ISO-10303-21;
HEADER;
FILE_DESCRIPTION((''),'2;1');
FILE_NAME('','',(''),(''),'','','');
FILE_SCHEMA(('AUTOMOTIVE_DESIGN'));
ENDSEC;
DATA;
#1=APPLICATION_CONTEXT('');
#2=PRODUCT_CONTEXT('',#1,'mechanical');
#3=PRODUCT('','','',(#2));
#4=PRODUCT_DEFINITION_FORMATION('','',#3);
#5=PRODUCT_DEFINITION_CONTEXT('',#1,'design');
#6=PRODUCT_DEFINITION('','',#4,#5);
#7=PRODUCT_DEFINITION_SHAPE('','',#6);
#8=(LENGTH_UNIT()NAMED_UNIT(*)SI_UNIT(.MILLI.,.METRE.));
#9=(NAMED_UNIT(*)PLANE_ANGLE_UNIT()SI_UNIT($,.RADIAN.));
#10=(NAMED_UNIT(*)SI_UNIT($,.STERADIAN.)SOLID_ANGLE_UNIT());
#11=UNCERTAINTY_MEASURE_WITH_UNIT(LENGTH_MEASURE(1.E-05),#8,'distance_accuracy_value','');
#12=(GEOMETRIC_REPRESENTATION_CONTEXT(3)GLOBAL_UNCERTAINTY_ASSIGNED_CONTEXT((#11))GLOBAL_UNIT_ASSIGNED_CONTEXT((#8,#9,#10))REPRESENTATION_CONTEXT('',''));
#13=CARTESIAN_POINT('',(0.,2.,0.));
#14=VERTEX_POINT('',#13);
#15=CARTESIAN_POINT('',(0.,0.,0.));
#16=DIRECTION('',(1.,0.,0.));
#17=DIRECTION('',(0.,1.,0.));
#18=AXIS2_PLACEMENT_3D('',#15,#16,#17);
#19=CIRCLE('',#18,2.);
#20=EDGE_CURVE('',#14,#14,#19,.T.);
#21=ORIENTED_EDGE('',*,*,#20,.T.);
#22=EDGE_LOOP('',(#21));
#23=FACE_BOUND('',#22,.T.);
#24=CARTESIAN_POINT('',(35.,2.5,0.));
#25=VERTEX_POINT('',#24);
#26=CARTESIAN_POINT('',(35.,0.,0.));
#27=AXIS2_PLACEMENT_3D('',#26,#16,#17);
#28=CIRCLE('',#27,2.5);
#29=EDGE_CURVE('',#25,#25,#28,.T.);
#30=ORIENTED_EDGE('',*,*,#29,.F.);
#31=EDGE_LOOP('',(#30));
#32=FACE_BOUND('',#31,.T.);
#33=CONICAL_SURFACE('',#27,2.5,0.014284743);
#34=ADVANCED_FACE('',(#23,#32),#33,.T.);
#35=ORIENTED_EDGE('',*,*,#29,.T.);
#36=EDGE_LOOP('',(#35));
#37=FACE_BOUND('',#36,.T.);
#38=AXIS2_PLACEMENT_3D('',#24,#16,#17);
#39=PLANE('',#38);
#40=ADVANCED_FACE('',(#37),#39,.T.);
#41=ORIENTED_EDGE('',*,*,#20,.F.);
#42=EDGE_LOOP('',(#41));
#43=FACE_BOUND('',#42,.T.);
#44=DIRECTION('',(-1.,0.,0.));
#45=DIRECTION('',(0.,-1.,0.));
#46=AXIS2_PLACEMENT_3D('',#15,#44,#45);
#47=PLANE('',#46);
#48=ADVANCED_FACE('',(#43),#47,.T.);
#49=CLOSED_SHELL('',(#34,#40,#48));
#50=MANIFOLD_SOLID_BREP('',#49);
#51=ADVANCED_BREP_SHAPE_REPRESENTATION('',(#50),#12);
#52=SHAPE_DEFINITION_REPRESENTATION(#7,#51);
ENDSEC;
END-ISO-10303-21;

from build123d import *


with BuildPart() as part:
    # Sketch1 → Revolve1 (revolve)
    with BuildSketch(Plane.XY):
        Polygon((0, 0), (0, 2), (35, 2.5), (35, 0), align=None)
    revolve(axis=Axis((35, 0, 0), (-1, 0, 0)))


solid = part.part
